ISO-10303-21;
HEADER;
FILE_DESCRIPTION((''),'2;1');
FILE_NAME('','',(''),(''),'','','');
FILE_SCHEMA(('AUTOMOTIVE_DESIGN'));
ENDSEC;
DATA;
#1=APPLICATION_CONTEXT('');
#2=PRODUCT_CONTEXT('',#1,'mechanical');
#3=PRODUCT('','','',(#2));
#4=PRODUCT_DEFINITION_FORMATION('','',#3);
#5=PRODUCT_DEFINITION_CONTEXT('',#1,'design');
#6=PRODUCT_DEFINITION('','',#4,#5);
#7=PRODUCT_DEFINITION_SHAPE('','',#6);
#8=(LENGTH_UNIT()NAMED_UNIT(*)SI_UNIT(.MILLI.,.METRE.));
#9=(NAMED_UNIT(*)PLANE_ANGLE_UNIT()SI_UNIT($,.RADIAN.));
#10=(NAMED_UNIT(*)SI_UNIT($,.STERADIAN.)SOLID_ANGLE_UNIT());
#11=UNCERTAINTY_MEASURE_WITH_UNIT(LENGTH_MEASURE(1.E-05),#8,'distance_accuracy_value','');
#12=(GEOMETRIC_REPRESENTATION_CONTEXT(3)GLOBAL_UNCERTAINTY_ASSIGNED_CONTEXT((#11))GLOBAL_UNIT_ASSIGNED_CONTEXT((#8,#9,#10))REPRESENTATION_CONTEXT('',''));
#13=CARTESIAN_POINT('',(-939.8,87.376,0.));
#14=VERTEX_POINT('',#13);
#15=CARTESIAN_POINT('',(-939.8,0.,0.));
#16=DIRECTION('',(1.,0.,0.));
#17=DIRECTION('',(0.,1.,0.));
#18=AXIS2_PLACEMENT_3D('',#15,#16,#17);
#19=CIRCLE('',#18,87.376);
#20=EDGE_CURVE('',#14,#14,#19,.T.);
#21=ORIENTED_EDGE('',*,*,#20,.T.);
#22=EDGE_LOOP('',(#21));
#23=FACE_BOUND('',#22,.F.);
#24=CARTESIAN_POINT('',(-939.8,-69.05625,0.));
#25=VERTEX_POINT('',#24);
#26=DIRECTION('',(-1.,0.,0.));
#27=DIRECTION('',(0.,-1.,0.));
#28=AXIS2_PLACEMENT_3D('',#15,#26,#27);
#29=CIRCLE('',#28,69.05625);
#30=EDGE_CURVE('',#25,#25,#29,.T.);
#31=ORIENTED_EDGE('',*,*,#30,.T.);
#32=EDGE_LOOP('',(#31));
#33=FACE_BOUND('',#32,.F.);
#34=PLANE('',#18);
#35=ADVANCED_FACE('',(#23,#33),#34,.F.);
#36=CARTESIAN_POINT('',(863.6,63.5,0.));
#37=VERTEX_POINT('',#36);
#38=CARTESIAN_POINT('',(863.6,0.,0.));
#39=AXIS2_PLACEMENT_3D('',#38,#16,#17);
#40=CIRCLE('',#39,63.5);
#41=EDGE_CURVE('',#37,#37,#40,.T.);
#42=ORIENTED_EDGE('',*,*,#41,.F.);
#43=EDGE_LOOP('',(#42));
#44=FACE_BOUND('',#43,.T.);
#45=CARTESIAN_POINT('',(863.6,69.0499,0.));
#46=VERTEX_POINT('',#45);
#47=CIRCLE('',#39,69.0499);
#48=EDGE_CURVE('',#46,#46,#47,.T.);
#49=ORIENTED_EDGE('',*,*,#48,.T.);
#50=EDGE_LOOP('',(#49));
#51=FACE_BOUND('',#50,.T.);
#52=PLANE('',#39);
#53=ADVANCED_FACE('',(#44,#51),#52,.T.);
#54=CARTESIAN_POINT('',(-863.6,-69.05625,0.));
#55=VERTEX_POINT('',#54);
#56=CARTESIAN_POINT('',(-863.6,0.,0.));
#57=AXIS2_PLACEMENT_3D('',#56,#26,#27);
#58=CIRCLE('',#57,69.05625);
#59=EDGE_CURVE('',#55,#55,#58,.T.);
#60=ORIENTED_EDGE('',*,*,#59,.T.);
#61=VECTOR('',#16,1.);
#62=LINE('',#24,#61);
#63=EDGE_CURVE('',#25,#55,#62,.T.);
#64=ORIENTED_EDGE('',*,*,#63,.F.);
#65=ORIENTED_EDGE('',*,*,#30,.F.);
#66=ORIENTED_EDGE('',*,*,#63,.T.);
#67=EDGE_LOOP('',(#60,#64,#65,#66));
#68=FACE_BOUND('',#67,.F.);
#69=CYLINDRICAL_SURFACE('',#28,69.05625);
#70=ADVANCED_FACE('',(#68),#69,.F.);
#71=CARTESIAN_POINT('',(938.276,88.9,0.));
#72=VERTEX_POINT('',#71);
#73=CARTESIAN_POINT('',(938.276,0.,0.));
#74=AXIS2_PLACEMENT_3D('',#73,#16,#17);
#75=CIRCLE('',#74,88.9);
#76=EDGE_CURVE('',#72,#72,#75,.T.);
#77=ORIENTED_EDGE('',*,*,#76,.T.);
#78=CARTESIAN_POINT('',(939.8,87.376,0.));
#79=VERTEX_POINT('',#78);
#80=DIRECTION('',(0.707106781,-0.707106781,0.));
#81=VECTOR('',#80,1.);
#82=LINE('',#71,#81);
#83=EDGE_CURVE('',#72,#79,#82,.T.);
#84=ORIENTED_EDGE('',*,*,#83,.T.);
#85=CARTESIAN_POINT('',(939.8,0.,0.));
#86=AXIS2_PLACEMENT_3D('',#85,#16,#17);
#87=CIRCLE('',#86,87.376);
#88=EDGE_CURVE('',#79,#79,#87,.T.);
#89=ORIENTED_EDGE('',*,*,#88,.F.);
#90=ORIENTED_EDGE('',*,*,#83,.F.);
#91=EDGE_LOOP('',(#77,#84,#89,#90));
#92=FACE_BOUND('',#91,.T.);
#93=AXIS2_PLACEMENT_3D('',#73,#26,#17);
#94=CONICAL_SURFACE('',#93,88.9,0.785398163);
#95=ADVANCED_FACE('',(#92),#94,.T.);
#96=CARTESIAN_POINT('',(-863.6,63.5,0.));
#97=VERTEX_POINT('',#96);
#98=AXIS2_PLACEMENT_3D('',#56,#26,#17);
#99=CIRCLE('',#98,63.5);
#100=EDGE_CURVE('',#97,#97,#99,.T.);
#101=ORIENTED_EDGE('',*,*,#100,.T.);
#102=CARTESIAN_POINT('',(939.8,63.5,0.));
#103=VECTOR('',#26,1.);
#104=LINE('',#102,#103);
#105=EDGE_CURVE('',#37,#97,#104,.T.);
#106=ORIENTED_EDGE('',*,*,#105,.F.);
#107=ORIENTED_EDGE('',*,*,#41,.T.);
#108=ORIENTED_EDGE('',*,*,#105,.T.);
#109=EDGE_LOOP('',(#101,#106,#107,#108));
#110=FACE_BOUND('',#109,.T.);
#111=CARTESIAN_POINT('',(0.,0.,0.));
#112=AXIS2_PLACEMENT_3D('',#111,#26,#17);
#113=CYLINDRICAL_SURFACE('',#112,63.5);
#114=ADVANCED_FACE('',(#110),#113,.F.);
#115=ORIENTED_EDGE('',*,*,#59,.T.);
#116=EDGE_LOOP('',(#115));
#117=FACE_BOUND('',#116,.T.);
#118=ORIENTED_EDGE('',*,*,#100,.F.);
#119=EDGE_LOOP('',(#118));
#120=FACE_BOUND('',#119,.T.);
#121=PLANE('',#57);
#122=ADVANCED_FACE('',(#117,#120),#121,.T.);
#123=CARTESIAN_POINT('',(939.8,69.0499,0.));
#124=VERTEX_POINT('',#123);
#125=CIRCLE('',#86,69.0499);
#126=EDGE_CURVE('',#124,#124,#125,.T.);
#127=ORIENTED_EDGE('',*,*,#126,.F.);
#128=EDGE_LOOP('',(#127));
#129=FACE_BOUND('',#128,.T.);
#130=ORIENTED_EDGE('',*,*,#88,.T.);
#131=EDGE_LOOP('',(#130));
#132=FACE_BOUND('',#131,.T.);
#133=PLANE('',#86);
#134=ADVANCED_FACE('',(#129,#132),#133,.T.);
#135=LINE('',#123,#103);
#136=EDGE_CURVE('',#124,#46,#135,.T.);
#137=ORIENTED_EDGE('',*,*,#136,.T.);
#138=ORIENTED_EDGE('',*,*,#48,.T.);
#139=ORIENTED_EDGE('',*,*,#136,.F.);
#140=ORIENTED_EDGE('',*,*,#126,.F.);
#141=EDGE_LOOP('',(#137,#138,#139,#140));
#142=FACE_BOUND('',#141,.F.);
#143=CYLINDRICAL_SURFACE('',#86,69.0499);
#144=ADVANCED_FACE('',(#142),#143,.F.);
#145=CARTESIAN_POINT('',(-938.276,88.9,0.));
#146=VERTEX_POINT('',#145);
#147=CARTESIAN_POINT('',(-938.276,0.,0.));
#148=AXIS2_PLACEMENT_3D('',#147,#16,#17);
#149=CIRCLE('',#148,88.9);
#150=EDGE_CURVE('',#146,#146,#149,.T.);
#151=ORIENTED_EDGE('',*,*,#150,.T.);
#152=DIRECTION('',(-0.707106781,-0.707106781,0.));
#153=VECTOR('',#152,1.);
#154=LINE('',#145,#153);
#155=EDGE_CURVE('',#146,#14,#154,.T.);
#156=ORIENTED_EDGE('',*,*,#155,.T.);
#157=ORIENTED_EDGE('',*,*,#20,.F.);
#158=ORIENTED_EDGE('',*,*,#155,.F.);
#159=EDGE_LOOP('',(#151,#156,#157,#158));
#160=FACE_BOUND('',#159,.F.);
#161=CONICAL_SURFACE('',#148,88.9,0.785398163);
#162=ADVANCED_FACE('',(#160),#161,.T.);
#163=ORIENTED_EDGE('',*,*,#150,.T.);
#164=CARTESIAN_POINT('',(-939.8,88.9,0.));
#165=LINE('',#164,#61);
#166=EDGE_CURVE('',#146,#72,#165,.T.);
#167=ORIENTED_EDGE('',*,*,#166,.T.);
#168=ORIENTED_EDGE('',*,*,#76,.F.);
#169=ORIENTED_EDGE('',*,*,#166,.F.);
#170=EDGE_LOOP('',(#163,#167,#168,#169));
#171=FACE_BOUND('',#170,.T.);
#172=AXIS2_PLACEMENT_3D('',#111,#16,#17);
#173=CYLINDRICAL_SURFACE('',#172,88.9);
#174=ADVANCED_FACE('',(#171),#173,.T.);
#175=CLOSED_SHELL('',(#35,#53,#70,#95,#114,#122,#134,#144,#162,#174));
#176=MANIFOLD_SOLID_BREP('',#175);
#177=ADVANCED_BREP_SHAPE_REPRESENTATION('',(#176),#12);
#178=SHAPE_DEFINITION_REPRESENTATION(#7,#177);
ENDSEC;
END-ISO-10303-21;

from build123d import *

# Parameters (mm, degrees)
F0_R     = 88.9
F0_R_2   = 63.5
F1_DEPTH = 939.8
F2_R     = 69.0499
F2_R_2   = 63.5
F3_DEPTH = 76.2
F4_R     = 69.05625
F5_DEPTH = 76.2
F6_SIZE  = 1.524


with BuildPart() as f1:
    # F0 (on Right) → F1 (new body, symmetric)
    with BuildSketch(Plane.YZ):
        Circle(F0_R)
        Circle(F0_R_2, mode=Mode.SUBTRACT)
    extrude(amount=F1_DEPTH, both=True)

    # F2 (on face) → F3 (cut)
    with BuildSketch(Plane.YZ.offset(939.8)):
        Circle(F2_R)
        Circle(F2_R_2, mode=Mode.SUBTRACT)
    extrude(amount=-F3_DEPTH, mode=Mode.SUBTRACT)

    # F4 (on face) → F5 (cut)
    with BuildSketch(Plane(origin=(-939.8, 0, 0), x_dir=(0, -1, 0), z_dir=(-1, 0, 0))):
        Circle(F4_R)
    extrude(amount=-F5_DEPTH, mode=Mode.SUBTRACT)

    # F6
    f6_edges = [f1.edges().sort_by_distance(p)[0] for p in [
        (-939.8, -88.9, 0),
        (939.8, -88.9, 0),
    ]]
    chamfer(f6_edges, length=F6_SIZE)


solid = f1.part
